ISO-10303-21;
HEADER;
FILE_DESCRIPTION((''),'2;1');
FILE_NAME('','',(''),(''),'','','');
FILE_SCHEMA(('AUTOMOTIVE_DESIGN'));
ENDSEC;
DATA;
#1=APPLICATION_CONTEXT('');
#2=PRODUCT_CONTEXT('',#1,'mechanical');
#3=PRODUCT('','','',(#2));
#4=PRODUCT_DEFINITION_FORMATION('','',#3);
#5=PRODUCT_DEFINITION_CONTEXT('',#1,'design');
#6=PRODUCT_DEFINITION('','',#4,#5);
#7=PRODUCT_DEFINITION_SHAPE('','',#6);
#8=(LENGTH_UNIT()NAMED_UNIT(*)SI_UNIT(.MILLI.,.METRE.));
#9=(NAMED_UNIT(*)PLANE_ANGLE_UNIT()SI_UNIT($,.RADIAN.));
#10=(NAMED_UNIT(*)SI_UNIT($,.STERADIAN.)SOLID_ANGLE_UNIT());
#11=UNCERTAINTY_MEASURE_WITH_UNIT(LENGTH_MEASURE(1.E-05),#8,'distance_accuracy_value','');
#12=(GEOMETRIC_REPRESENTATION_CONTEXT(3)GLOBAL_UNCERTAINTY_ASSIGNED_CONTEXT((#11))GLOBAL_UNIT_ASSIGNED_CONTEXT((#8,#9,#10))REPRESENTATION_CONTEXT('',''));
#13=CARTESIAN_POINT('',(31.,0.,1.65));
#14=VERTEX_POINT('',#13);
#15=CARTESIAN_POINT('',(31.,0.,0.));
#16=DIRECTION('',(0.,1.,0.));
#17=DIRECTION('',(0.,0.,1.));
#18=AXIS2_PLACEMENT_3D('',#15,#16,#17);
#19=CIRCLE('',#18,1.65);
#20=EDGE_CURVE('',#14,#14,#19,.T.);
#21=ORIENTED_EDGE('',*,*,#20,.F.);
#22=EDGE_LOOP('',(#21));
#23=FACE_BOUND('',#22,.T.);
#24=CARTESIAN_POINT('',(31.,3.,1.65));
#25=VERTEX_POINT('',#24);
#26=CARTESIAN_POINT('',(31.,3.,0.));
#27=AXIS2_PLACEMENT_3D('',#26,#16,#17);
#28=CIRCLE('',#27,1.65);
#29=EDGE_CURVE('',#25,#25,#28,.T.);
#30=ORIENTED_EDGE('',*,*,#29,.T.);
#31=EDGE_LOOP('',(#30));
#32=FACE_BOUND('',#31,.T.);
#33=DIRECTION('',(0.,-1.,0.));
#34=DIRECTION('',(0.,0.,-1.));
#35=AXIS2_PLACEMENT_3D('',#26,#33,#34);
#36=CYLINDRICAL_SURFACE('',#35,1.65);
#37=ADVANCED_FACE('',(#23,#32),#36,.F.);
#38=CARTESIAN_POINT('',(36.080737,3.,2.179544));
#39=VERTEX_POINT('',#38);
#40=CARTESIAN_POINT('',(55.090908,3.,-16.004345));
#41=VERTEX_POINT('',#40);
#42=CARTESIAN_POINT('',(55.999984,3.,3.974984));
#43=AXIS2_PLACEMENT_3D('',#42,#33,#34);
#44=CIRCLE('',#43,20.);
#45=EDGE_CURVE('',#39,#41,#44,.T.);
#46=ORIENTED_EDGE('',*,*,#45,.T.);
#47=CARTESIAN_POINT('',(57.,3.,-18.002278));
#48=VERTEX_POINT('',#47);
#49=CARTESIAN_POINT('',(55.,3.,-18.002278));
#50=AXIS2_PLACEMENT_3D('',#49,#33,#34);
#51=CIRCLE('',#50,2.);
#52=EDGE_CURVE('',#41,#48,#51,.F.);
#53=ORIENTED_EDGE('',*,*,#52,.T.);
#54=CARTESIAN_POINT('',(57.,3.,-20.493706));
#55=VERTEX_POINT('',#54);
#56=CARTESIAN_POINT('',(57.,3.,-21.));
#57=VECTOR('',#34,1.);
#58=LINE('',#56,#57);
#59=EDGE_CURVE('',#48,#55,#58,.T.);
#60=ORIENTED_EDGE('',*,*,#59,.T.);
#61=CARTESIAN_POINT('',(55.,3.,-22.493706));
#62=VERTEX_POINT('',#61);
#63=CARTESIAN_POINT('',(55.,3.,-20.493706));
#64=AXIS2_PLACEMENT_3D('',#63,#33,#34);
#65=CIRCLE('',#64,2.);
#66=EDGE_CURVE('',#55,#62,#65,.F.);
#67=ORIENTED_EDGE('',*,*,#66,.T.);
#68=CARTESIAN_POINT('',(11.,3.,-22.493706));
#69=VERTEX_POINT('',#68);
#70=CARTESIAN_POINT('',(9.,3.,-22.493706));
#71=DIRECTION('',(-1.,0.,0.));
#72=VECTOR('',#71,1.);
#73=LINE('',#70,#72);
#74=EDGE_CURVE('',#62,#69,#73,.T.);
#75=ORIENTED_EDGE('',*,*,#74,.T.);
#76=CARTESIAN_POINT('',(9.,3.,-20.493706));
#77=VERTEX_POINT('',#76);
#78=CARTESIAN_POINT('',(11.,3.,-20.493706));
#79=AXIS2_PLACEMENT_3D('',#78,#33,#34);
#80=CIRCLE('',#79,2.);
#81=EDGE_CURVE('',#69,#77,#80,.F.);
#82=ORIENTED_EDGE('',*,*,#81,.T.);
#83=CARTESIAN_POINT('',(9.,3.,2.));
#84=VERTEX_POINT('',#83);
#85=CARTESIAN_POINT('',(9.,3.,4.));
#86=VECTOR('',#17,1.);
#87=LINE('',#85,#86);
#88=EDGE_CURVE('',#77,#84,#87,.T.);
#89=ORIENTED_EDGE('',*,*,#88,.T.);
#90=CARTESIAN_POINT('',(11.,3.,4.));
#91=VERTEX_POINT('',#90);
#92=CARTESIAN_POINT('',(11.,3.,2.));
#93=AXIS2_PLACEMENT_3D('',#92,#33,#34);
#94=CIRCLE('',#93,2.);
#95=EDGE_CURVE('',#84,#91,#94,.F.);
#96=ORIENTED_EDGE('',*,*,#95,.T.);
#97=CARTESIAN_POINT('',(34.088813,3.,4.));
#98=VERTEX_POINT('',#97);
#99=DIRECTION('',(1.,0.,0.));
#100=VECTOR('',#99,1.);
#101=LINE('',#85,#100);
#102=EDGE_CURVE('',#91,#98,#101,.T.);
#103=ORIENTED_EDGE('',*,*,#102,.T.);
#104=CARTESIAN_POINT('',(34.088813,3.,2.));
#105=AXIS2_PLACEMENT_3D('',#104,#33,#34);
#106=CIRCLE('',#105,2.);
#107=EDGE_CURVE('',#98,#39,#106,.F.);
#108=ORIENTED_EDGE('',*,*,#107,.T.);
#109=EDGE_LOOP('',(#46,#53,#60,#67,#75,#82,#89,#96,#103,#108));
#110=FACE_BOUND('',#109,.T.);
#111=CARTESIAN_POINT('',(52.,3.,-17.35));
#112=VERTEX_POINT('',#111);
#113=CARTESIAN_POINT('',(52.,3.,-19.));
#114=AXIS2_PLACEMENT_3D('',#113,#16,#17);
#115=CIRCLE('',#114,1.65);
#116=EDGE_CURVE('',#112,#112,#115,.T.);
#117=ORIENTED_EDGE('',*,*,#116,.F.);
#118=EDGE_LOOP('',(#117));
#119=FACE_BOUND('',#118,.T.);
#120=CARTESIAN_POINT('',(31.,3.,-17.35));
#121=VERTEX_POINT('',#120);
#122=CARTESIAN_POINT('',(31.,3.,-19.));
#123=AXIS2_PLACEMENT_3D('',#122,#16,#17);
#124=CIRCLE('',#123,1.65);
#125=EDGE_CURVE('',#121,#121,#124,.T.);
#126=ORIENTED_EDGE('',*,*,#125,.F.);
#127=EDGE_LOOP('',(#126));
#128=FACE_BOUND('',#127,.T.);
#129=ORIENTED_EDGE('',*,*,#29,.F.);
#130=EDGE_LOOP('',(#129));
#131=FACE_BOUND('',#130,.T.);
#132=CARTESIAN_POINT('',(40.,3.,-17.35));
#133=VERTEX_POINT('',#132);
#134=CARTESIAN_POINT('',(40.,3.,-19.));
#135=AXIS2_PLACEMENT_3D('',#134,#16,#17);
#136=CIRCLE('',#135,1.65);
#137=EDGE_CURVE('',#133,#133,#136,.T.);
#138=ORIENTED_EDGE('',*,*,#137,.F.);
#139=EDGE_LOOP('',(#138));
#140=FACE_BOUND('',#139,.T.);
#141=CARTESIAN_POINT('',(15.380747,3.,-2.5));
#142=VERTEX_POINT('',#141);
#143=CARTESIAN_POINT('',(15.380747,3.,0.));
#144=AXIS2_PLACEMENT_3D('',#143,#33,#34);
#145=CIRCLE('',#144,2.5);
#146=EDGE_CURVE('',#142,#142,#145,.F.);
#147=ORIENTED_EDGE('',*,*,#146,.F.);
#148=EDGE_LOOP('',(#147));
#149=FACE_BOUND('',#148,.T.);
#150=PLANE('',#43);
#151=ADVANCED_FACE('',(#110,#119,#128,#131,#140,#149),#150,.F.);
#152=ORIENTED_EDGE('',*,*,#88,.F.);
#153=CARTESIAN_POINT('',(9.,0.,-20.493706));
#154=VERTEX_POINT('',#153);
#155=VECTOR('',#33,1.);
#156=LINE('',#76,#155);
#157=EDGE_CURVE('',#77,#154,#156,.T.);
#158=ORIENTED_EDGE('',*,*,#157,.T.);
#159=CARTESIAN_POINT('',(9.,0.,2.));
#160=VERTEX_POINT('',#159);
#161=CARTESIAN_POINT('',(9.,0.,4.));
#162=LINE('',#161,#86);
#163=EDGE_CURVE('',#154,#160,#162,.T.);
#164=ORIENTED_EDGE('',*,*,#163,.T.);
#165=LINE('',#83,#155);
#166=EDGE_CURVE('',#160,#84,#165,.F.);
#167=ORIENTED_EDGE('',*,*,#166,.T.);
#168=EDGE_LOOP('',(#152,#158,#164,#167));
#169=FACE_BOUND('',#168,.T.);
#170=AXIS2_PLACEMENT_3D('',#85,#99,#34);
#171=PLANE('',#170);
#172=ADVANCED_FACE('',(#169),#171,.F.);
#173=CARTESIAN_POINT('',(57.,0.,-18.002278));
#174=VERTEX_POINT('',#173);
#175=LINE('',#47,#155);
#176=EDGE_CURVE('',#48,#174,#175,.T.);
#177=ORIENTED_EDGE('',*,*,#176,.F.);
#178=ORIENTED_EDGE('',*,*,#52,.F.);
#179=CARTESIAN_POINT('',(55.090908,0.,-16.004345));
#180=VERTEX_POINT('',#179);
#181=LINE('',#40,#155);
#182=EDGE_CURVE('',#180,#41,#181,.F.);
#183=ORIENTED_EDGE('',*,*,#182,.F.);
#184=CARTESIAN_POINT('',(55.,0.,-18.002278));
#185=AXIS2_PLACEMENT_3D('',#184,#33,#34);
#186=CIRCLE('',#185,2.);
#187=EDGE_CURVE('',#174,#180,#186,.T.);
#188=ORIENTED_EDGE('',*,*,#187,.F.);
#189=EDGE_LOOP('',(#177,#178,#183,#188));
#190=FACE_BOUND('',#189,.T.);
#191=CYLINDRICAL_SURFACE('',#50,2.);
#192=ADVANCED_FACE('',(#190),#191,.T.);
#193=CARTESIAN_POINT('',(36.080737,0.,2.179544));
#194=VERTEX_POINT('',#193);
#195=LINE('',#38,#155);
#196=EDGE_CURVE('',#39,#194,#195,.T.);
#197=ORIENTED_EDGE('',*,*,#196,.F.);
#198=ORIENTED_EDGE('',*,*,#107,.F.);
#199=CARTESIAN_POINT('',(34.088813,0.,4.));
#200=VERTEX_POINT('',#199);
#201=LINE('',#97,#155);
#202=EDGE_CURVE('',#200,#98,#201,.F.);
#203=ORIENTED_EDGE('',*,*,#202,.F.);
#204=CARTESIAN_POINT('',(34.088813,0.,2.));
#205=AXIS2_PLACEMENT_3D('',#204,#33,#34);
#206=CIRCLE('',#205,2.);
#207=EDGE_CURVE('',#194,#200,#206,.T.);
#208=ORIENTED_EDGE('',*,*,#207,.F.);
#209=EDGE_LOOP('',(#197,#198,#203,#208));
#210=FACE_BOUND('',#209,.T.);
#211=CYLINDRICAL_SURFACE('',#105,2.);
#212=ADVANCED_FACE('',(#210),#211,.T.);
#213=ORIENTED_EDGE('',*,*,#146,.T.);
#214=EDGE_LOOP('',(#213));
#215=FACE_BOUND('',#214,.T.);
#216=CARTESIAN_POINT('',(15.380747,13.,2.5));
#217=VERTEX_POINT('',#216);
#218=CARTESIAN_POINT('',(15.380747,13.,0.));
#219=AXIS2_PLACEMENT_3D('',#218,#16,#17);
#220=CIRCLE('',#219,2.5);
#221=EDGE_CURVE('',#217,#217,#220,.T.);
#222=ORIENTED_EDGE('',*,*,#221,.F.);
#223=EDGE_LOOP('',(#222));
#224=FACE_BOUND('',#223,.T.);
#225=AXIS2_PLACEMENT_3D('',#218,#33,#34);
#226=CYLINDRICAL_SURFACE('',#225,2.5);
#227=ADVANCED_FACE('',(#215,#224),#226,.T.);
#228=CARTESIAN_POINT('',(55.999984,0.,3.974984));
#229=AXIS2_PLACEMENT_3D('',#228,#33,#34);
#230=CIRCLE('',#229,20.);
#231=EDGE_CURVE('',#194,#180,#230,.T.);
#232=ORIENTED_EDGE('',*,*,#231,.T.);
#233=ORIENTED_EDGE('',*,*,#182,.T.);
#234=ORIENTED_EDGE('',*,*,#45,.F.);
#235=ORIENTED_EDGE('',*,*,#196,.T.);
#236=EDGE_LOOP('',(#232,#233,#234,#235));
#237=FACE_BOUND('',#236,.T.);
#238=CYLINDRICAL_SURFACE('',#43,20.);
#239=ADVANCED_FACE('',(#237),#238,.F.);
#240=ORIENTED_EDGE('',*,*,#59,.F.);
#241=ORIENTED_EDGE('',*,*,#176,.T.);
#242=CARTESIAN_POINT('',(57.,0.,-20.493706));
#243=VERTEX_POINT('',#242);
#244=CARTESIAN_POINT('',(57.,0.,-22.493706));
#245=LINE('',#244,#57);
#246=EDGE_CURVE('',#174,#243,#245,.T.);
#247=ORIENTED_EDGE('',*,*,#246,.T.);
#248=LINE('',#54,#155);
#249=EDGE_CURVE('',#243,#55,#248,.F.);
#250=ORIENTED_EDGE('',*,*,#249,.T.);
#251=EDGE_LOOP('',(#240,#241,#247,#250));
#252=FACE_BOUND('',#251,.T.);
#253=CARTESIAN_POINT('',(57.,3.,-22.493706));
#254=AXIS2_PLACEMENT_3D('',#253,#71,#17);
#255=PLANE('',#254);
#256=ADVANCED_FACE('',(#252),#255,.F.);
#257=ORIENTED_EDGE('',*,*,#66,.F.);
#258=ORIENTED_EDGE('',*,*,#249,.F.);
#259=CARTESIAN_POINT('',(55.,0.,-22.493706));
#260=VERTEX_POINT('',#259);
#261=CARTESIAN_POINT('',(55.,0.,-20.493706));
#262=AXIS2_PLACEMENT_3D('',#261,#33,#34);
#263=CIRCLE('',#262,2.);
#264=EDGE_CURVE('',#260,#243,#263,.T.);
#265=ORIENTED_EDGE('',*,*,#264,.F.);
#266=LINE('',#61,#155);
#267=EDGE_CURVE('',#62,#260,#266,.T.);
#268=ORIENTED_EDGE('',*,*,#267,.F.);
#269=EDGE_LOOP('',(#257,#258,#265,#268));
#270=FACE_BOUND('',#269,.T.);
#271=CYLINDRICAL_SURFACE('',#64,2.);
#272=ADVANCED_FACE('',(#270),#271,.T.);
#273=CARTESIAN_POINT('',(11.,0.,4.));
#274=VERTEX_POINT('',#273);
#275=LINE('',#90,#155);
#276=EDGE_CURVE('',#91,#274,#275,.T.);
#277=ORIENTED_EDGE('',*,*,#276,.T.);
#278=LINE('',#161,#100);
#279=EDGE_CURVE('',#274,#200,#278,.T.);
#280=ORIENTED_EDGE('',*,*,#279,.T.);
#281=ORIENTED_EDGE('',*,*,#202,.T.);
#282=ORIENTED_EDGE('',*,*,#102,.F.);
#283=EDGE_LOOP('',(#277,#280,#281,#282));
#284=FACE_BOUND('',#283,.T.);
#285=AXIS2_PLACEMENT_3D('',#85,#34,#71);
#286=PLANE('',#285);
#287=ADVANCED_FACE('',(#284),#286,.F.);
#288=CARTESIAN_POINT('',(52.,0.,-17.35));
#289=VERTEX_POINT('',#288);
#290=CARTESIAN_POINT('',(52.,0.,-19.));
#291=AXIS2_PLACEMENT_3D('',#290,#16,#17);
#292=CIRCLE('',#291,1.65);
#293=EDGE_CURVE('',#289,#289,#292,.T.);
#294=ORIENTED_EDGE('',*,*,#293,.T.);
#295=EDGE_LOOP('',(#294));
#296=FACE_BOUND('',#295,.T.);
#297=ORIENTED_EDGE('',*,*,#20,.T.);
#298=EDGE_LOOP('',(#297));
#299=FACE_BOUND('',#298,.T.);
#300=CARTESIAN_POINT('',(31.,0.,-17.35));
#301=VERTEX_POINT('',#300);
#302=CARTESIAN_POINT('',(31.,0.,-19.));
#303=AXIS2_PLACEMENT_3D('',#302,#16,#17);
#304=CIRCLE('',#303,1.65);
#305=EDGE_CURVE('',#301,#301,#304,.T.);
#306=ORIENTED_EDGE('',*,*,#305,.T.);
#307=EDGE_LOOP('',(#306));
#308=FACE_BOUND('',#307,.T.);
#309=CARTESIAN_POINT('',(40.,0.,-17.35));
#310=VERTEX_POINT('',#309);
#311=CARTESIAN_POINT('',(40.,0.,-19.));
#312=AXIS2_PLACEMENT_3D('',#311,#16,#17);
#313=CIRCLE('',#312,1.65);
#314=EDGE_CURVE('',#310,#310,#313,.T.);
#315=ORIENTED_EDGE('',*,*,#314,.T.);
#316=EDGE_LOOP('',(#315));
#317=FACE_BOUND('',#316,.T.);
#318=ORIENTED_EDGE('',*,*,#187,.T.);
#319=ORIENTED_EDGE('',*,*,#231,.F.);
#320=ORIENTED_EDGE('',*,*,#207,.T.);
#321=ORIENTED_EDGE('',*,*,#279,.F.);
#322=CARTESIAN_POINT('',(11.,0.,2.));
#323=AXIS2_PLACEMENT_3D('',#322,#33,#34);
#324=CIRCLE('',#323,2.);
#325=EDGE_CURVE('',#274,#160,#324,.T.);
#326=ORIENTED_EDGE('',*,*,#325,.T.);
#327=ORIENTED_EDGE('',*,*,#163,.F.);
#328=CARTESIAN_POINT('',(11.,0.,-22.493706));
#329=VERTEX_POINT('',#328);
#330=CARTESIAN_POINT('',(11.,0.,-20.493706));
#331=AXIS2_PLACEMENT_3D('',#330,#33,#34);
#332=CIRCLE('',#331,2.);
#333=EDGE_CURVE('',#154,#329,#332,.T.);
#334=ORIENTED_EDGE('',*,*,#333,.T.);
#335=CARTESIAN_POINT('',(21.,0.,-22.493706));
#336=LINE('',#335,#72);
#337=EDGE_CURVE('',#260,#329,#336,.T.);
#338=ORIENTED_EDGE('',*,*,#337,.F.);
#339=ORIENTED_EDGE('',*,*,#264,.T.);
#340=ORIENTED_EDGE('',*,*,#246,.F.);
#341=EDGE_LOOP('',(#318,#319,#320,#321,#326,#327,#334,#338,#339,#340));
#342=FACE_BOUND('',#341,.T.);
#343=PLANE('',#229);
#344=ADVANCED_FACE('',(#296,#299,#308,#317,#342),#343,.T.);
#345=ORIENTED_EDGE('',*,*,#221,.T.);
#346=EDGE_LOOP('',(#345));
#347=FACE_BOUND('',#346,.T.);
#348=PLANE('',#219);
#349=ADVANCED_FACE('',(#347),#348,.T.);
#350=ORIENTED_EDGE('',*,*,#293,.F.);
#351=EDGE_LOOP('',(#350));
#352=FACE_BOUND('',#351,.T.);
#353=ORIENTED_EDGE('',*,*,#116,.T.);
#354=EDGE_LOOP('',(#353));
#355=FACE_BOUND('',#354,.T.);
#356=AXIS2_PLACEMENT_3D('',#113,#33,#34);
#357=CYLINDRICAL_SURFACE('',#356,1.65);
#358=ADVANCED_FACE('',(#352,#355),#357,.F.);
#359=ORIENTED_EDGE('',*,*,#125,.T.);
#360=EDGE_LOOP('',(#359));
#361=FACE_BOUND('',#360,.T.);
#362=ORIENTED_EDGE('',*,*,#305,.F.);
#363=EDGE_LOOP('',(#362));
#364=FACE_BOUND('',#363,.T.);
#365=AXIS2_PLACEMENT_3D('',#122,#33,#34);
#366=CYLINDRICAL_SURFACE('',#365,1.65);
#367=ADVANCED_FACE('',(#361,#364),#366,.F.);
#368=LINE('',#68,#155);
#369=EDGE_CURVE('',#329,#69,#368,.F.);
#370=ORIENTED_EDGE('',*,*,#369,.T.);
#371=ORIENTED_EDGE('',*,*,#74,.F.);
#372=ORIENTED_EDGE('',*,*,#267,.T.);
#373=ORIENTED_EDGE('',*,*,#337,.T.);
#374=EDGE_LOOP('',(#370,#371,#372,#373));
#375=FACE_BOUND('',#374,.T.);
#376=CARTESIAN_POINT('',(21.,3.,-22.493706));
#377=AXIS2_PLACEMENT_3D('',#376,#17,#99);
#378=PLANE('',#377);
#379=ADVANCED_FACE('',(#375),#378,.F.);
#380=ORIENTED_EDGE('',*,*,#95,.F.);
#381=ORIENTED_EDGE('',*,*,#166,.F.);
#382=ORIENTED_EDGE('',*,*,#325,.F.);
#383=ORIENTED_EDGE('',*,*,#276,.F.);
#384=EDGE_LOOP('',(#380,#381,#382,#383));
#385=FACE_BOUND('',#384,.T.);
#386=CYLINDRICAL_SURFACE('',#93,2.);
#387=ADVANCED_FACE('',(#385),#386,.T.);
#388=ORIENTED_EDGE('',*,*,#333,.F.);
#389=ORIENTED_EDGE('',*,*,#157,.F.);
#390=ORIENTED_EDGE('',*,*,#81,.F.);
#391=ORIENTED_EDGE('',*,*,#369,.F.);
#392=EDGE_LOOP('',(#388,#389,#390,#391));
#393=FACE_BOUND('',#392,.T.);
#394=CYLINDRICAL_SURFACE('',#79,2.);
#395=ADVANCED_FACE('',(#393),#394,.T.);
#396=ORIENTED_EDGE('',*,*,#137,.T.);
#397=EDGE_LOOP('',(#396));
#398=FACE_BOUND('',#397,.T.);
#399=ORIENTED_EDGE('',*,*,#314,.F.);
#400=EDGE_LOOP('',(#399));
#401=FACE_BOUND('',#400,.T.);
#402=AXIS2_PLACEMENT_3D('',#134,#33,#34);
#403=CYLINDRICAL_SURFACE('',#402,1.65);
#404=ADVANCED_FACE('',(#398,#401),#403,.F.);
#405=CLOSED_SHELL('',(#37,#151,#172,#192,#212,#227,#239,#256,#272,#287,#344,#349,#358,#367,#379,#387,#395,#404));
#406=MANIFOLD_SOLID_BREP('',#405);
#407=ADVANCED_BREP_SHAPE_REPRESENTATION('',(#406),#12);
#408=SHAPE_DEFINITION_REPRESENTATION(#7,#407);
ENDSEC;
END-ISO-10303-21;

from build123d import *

# Parameters (mm, degrees)
SKETCH1_R            = 1.65
MAIN_BODY_DEPTH      = 3
SKETCH2_R            = 2.5
CONNECTING_ROD_DEPTH = 10
FILLET1_R            = 2


with BuildPart() as part:
    # Sketch1 → Main Body (new body)
    with BuildSketch(Plane(origin=(0, 0, 0), x_dir=(1, 0, 0), z_dir=(0, 1, 0))):
        with BuildLine():
            Line((9, -4), (9, 22.493705841))
            Line((9, 22.493705841), (21, 22.493705841))
            Line((21, 22.493705841), (57, 22.493705841))
            Line((57, 22.493705841), (57, 21))
            Line((57, 21), (57, 16))
            ThreePointArc((57, 16), (42.206880906, 10.507775049), (36, -4))
            Line((36, -4), (9, -4))
        make_face()
        with Locations(Location((31, 19, 0), (0, 0, 270))):
            Circle(SKETCH1_R, mode=Mode.SUBTRACT)
        with Locations(Location((40, 19, 0), (0, 0, 270))):
            Circle(SKETCH1_R, mode=Mode.SUBTRACT)
        with Locations(Location((52, 19, 0), (0, 0, 270))):
            Circle(SKETCH1_R, mode=Mode.SUBTRACT)
        with Locations(Location((31, 0, 0), (0, 0, 270))):
            Circle(SKETCH1_R, mode=Mode.SUBTRACT)
    extrude(amount=MAIN_BODY_DEPTH)

    # Sketch2 → Connecting Rod (add)
    with BuildSketch(Plane(origin=(0, 3, 0), x_dir=(1, 0, 0), z_dir=(0, 1, 0))):
        with Locations(Location((15.380746581, 0, 0), (0, 0, 90))):
            Circle(SKETCH2_R)
    extrude(amount=CONNECTING_ROD_DEPTH)

    # Fillet1
    fillet1_edges = [part.edges().sort_by_distance(p)[0] for p in [
        (57, 1.5, -22.493705841),
        (57, 1.5, -16),
        (36, 1.5, 4),
        (9, 1.5, 4),
        (9, 1.5, -22.493705841),
    ]]
    fillet(fillet1_edges, radius=FILLET1_R)


solid = part.part
